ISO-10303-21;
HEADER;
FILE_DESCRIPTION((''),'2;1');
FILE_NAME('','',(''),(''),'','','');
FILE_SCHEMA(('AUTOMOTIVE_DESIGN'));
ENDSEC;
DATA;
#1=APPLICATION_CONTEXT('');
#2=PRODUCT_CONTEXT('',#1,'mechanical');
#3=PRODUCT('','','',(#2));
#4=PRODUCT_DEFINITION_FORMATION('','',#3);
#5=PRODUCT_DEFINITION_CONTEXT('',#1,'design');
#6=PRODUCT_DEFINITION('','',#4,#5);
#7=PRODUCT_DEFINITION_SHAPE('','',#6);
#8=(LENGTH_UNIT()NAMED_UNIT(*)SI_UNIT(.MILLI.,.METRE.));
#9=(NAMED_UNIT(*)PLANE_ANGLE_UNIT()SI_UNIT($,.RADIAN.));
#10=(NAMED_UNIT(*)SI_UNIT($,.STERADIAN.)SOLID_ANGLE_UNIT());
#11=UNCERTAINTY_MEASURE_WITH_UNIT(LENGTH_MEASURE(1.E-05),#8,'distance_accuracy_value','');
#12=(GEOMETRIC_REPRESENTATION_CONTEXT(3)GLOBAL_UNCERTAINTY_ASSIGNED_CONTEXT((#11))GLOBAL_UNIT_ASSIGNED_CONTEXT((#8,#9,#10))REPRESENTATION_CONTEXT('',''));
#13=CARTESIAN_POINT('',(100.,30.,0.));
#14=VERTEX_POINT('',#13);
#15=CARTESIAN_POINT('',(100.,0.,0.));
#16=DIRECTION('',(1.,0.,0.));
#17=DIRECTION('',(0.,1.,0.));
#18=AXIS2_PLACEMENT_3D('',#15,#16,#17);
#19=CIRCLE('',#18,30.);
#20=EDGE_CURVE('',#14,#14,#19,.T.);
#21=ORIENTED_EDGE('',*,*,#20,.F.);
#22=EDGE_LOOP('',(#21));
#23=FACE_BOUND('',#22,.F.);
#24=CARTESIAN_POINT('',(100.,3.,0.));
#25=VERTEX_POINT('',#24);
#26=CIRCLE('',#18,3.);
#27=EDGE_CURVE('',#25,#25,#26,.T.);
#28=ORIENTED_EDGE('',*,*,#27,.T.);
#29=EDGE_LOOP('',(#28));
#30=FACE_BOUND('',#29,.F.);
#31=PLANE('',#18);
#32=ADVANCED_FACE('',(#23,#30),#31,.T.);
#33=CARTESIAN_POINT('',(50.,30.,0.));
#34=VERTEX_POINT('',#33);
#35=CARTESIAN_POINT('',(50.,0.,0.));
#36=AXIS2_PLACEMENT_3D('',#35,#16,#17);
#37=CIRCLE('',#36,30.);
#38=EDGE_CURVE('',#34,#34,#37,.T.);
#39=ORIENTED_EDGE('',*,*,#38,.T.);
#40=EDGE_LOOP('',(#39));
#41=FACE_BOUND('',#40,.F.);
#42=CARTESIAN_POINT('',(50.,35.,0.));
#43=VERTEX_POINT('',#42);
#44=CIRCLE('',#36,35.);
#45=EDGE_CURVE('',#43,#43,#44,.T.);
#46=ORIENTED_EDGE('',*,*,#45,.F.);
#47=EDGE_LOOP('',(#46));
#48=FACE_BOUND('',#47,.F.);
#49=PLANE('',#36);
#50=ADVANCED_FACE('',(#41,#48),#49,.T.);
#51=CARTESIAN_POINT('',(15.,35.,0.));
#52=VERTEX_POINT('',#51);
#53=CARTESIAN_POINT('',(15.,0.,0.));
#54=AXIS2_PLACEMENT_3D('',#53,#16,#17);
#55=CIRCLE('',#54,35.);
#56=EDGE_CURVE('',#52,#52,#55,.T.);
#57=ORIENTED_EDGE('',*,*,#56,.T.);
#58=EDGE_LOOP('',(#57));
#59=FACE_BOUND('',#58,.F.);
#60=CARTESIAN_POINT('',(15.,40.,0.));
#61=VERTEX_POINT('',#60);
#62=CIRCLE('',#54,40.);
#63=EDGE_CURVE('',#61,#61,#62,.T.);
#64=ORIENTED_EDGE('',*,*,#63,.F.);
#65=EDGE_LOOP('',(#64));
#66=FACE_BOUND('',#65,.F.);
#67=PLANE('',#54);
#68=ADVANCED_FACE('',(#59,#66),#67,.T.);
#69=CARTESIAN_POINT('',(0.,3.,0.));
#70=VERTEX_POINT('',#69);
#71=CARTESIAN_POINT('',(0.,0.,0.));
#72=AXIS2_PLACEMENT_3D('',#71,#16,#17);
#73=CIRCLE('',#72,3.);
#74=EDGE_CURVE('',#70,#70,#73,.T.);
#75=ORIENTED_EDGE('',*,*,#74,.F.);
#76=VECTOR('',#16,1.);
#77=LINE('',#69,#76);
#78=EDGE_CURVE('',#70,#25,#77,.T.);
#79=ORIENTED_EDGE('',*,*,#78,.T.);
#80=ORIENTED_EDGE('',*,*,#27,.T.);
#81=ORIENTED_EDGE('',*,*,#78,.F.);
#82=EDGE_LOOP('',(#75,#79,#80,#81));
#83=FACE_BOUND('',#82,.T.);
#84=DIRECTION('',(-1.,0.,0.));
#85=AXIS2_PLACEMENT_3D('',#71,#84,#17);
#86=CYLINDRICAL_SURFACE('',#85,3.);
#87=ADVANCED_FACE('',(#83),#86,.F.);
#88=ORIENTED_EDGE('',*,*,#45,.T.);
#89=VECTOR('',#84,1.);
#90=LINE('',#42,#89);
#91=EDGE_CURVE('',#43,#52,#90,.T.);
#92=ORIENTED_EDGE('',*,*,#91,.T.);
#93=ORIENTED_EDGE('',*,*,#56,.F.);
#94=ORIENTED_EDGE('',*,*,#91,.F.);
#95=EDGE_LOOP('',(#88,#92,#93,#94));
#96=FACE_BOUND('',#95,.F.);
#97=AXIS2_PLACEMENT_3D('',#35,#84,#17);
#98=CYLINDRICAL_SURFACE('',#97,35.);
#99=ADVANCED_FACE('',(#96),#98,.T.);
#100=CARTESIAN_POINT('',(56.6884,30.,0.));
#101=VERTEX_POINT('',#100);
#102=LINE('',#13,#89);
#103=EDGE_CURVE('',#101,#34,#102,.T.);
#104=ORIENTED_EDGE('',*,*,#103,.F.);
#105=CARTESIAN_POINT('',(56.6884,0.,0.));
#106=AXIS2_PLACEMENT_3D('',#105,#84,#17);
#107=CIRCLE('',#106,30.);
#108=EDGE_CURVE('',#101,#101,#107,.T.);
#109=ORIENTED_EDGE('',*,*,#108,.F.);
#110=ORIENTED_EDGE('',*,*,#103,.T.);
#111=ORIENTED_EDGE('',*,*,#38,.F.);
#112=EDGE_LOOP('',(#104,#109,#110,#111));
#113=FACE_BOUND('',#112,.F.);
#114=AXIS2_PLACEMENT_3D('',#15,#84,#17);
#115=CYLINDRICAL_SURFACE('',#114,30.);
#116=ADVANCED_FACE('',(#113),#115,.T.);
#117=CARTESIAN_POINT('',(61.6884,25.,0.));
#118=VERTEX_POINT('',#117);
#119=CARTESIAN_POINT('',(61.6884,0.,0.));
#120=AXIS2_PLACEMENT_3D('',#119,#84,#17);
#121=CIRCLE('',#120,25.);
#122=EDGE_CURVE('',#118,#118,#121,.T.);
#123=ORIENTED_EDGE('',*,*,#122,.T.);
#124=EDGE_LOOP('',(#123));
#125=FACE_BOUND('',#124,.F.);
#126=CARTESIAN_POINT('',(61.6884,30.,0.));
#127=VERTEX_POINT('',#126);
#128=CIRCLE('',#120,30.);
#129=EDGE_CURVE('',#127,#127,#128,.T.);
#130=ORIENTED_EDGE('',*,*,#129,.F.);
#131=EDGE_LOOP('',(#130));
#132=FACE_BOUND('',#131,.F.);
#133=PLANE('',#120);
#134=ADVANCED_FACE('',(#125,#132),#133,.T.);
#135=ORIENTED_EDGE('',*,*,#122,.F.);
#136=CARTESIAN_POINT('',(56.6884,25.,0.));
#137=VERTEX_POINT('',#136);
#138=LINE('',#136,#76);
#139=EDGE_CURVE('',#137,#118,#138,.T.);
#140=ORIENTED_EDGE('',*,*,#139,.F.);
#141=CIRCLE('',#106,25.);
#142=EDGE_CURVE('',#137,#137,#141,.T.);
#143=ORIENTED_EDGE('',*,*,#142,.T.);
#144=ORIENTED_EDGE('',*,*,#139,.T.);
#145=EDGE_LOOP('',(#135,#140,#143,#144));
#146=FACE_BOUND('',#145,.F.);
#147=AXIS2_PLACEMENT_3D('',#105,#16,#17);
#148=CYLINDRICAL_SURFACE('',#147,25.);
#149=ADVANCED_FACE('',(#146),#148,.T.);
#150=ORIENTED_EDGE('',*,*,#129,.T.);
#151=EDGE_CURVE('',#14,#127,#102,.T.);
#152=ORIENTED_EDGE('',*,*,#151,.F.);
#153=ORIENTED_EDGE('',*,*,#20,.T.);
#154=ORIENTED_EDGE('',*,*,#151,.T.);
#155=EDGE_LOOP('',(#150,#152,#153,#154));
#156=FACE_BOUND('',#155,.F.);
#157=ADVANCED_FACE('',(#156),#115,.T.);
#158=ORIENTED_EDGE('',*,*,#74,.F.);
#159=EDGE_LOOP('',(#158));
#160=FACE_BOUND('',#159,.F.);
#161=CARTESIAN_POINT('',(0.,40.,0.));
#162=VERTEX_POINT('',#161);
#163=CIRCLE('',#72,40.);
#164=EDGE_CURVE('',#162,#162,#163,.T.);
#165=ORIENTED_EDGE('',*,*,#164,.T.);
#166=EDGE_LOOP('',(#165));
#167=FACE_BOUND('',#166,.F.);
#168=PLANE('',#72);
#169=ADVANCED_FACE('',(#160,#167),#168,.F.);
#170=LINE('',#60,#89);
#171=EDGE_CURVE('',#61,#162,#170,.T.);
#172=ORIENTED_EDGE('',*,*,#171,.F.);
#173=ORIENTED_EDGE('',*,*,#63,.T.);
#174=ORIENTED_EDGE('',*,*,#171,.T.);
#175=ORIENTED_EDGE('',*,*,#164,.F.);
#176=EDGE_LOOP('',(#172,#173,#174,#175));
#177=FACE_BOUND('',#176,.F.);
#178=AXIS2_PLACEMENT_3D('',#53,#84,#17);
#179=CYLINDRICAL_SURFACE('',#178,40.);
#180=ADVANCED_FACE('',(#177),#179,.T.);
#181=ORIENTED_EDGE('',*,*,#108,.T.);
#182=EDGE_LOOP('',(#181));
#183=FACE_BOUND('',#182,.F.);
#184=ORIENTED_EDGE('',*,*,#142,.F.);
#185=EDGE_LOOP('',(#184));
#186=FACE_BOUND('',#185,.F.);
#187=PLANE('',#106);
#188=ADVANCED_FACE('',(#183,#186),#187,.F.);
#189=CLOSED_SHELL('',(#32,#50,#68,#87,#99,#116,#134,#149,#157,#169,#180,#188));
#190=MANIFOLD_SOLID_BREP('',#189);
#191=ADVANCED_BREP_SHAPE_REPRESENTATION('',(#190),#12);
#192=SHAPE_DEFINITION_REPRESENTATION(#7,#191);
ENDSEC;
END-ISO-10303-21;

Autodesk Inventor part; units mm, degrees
ref_plane "YZ Plane" through (0, 0, 0) normal (1, 0, 0) x (0, 1, 0)
ref_plane "XZ Plane" through (0, 0, 0) normal (0, 1, 0) x (-1, 0, 0)
ref_plane "XY Plane" through (0, 0, 0) normal (0, 0, 1) x (1, 0, 0)
sketch "Эскиз1" plane through (0, 0, 0) normal (0, 0, 1) x (1, 0, 0)
  line L0 (0, 0) -> (100, 0)
  line L1 (100, 0) -> (100, 30)
  line L2 (100, 30) -> (50, 30)
  line L3 (50, 30) -> (50, 35)
  line L4 (50, 35) -> (15, 35)
  line L5 (15, 35) -> (15, 40)
  line L6 (15, 40) -> (0, 40)
  line L7 (0, 40) -> (0, 0)
  line L8 (56.6884, 30) -> (56.6884, 25)
  line L9 (56.6884, 25) -> (61.6884, 25)
  line L10 (61.6884, 25) -> (61.6884, 30)
  dimension "d0" = 100
  dimension "d1" = 30
  dimension "d2" = 50
  dimension "d3" = 5
  dimension "d4" = 35
  dimension "d5" = 5
  dimension "d7" = 5
  dimension "d8" = 5
  dimension "d9" = 11.6884
revolve "Вращение1" add sketch "Эскиз1" angle 360 about axis through (0, 0, 0) along (1, 0, 0)
revolve "Вращение2" cut sketch "Эскиз1" angle 360 about axis through (0, 0, 0) along (-1, 0, 0) contours L10 L9 L8 L2
sketch "Эскиз2" plane through (0, 0, 0) normal (1, 0, 0) x (0, 1, 0)
  circle A0 centre (0, 0) radius 3
  dimension "d11" = 6
extrude "Выдавливание1" cut sketch "Эскиз2" along normal up to surface (100 mm away)
properties part number "1"
